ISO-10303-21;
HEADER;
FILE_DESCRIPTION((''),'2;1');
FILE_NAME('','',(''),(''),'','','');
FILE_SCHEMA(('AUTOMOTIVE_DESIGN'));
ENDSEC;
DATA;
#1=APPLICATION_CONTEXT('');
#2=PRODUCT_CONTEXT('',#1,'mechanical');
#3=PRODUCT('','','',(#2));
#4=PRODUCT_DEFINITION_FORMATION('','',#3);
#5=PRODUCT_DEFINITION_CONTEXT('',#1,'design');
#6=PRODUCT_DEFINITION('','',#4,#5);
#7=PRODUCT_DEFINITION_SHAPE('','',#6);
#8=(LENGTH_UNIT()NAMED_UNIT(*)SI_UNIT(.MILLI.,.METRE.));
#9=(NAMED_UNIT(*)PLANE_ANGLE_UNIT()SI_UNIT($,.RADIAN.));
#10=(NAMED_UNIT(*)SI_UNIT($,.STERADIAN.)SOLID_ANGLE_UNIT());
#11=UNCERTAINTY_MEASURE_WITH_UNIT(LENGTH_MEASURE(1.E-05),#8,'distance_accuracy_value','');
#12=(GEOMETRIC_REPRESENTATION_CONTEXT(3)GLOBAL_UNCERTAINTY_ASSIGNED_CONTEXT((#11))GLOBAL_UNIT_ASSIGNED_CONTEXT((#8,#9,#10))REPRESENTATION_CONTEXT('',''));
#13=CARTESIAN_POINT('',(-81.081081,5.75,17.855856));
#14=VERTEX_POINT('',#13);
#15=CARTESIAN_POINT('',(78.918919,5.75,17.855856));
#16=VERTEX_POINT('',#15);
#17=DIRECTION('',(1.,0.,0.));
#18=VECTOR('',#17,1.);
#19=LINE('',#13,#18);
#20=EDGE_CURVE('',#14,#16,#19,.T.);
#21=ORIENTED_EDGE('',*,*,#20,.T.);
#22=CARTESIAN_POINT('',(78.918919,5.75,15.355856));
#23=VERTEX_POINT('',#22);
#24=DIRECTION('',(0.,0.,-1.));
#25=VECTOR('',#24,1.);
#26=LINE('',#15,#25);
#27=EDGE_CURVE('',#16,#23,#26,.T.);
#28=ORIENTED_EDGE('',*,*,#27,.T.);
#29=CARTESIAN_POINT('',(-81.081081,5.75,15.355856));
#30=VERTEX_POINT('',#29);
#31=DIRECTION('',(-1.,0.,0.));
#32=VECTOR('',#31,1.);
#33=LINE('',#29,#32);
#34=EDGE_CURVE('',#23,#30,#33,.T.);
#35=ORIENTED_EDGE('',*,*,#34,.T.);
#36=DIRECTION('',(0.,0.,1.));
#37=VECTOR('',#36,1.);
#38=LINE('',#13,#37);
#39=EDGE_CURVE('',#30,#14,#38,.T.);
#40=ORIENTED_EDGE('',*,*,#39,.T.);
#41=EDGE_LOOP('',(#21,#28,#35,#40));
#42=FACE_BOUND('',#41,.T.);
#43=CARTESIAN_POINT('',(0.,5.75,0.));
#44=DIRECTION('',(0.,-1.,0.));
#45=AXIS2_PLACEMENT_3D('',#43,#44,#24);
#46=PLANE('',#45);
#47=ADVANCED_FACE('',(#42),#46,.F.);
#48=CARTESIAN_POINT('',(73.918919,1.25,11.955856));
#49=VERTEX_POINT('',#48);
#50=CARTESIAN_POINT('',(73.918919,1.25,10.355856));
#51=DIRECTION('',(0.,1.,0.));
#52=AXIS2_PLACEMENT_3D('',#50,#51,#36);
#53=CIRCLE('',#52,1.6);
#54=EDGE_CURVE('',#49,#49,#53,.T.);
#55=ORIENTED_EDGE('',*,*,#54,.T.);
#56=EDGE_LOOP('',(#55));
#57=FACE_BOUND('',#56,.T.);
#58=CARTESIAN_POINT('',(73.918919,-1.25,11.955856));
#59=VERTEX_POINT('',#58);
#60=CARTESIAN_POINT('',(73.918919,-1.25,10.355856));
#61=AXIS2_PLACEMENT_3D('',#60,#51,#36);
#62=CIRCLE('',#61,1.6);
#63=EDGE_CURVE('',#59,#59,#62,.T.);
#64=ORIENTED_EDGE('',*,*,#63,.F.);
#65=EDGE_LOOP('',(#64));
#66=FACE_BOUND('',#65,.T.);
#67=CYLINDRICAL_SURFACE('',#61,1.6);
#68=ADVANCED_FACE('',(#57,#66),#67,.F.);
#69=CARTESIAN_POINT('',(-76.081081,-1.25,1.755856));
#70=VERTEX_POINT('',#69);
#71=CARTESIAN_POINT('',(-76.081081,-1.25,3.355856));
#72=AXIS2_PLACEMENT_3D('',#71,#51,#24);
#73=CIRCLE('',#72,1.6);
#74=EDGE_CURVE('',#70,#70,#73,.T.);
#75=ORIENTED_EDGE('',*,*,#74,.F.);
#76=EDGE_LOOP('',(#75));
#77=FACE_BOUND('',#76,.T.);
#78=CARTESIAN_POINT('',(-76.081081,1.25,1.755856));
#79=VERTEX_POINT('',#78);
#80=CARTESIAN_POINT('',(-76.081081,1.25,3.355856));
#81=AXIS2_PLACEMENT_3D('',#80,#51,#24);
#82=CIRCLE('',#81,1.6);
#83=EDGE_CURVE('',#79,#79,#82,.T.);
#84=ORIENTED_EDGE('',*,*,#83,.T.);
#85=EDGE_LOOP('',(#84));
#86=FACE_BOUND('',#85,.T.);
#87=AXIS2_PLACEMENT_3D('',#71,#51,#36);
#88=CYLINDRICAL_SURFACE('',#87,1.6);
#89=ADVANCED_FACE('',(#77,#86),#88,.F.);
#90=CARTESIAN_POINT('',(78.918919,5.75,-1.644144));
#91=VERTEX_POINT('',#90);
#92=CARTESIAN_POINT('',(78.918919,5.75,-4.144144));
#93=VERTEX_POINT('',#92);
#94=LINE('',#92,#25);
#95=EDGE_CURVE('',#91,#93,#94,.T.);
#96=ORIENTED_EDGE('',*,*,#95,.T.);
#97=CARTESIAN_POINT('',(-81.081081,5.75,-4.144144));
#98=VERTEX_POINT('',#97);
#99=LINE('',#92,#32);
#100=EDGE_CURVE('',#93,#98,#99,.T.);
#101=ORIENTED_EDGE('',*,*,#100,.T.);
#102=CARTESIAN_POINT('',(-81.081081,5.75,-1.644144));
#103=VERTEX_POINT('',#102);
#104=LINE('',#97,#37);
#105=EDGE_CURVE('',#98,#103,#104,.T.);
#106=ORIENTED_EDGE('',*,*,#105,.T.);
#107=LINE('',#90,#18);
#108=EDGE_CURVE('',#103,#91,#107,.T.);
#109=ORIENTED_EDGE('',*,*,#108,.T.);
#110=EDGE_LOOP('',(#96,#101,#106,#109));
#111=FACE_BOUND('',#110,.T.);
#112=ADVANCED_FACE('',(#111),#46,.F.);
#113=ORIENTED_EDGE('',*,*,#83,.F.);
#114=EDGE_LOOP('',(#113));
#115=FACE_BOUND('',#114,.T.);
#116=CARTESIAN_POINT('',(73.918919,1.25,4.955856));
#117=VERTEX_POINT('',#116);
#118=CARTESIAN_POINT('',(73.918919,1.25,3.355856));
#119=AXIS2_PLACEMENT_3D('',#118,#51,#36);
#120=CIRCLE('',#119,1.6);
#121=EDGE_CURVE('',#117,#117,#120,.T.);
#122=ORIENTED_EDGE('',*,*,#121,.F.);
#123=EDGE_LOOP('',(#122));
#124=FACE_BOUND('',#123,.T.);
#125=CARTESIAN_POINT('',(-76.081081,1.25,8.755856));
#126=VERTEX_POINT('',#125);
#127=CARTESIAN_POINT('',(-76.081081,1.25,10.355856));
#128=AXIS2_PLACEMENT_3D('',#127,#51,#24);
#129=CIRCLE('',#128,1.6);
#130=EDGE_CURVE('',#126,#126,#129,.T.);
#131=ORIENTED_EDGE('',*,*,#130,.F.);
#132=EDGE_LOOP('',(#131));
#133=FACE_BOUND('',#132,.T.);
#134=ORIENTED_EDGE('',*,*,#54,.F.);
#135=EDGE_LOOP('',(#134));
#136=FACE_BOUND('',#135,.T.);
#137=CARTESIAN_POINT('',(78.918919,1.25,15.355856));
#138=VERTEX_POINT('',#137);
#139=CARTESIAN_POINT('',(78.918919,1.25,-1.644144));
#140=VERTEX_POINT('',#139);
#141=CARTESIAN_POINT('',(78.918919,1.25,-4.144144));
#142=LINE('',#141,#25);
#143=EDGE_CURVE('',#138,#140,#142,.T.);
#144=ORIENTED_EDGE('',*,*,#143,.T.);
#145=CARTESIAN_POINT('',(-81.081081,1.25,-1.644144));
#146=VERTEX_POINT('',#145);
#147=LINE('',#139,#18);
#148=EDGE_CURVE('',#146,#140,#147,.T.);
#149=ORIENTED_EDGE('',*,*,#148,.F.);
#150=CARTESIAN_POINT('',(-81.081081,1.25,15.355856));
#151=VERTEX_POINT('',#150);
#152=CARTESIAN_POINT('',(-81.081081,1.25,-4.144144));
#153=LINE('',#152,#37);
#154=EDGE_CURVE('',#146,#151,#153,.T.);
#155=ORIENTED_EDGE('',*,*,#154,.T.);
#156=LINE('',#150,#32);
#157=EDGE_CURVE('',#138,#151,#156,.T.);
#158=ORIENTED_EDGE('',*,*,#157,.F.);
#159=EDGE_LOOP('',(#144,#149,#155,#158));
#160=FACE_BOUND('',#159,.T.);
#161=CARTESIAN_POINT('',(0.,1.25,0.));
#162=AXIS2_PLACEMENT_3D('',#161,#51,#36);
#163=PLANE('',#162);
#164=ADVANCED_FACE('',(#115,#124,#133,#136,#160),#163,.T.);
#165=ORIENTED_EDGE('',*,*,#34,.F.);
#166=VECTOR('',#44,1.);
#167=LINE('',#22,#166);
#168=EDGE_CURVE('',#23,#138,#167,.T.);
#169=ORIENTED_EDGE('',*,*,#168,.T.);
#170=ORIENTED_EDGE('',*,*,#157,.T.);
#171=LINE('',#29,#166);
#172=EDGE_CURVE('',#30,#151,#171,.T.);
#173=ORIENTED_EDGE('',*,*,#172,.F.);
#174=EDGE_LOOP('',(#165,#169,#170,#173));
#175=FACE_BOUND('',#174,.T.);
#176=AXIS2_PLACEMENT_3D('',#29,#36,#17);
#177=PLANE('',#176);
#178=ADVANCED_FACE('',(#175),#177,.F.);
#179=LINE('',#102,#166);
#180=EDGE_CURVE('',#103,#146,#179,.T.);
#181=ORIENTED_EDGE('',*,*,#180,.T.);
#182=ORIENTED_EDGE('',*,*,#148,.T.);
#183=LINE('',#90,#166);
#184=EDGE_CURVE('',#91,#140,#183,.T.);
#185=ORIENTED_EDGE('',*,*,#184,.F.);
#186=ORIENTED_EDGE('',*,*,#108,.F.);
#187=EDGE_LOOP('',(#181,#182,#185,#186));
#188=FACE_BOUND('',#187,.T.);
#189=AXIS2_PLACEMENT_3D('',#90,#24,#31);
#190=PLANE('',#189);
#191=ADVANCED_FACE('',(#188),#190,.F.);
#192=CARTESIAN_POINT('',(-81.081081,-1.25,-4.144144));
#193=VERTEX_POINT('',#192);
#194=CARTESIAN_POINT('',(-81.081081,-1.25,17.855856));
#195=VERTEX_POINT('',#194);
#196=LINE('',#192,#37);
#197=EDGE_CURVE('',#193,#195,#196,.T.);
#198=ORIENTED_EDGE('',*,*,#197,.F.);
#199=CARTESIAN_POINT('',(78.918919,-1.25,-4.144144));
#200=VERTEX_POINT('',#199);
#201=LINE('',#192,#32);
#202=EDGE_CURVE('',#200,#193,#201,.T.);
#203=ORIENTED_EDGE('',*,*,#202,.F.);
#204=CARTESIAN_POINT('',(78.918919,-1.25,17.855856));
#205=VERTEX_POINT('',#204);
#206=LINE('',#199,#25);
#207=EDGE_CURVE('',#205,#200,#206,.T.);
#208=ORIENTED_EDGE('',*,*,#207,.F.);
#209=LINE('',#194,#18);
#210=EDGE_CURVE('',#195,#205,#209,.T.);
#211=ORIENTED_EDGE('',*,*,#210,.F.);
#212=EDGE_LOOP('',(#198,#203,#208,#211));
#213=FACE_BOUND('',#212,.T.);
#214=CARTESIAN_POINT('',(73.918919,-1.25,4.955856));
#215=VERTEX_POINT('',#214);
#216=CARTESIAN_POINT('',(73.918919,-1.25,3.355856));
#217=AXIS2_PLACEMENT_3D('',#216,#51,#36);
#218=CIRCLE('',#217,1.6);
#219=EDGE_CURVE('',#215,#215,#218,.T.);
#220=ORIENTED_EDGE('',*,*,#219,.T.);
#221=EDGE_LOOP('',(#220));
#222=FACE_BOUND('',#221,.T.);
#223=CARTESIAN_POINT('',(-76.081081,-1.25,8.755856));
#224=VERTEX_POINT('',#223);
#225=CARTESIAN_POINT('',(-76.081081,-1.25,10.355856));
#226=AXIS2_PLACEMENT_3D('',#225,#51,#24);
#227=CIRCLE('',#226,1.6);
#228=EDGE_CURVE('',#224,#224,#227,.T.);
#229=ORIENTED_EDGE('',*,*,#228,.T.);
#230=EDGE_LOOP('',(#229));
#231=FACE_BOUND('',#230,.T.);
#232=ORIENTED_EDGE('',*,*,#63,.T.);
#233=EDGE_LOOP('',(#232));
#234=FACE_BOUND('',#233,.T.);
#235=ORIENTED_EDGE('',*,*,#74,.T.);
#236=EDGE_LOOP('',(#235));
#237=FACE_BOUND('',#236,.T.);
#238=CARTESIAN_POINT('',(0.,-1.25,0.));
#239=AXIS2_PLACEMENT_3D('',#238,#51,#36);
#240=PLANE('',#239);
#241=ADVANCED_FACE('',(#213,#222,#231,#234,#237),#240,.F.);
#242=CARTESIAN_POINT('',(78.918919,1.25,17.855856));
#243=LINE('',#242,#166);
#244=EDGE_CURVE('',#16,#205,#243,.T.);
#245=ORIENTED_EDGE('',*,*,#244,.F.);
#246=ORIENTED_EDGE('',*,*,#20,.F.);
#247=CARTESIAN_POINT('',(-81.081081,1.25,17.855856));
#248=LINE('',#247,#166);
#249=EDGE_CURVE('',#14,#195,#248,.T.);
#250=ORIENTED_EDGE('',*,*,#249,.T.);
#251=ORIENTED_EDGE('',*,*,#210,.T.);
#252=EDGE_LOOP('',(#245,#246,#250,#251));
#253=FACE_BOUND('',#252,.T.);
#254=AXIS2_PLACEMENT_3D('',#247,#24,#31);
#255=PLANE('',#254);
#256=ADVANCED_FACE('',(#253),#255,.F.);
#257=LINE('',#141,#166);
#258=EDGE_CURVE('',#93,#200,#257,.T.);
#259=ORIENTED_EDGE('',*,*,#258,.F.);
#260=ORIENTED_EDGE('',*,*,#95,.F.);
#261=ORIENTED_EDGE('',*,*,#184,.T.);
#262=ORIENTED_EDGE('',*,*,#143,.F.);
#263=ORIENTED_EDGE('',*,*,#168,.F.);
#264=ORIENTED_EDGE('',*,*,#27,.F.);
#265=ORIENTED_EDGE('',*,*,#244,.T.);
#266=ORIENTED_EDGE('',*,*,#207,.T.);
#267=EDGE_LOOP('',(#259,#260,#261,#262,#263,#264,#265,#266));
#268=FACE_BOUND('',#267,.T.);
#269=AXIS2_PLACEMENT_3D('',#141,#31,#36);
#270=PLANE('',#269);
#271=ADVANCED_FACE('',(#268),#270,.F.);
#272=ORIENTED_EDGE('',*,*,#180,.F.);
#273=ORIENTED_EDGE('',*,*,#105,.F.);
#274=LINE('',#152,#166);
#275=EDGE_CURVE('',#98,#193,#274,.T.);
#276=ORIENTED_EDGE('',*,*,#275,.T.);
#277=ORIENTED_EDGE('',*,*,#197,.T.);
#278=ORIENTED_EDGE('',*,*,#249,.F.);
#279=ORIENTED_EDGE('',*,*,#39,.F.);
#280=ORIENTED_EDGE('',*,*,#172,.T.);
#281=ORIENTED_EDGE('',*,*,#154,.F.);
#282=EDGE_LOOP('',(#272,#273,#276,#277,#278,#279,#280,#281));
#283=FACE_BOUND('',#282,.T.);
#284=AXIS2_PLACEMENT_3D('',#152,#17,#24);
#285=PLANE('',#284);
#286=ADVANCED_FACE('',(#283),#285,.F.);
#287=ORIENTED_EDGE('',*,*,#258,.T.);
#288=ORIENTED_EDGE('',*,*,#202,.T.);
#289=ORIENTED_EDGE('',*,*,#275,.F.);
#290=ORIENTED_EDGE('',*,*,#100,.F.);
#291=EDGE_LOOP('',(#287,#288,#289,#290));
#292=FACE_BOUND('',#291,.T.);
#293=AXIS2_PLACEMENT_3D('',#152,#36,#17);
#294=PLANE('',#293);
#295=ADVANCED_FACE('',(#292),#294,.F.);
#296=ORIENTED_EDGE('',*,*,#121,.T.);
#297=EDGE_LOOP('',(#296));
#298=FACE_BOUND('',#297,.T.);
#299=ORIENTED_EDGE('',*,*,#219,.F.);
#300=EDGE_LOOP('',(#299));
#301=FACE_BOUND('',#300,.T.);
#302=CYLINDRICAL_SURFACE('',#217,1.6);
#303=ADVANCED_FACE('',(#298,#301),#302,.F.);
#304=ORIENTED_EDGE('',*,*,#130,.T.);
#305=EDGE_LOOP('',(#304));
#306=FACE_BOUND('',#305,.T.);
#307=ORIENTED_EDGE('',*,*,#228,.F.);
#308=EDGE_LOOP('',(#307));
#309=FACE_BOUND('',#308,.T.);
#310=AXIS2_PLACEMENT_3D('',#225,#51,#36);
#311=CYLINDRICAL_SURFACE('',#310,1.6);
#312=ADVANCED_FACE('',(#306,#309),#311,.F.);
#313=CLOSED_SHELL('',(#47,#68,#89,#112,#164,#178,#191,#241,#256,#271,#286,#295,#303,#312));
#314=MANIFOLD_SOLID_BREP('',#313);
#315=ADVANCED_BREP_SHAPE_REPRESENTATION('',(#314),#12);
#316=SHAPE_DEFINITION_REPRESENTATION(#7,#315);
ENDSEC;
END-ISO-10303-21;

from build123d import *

# Parameters (mm, degrees)
SKETCH1_W           = 160
SKETCH1_H           = 22
BOSS_EXTRUDE1_DEPTH = 1.25
SKETCH2_W           = 160
SKETCH2_H           = 2.5
BOSS_EXTRUDE2_DEPTH = 4.5
SKETCH4_R           = 1.6
CUT_EXTRUDE1_DEPTH  = 3.5


with BuildPart() as part:
    # Sketch1 → Boss-Extrude1 (new body, symmetric)
    with BuildSketch(Plane(origin=(0, 0, 0), x_dir=(1, 0, 0), z_dir=(0, 1, 0))):
        with Locations((-1.081081081, -6.855855856)):
            Rectangle(SKETCH1_W, SKETCH1_H)
    extrude(amount=BOSS_EXTRUDE1_DEPTH, both=True)

    # Sketch2 → Boss-Extrude2 (add)
    with BuildSketch(Plane(origin=(0, 1.25, 0), x_dir=(1, 0, 0), z_dir=(0, 1, 0))):
        with Locations((-1.081081081, 2.894144144)):
            Rectangle(SKETCH2_W, SKETCH2_H)
        with Locations((-1.081081081, -16.605855856)):
            Rectangle(SKETCH2_W, SKETCH2_H)
    extrude(amount=BOSS_EXTRUDE2_DEPTH)

    # Sketch4 → Cut-Extrude1 (cut, through all)
    with BuildSketch(Plane(origin=(0, 1.25, 0), x_dir=(1, 0, 0), z_dir=(0, 1, 0))):
        with Locations((73.918918919, -3.355855856)):
            Circle(SKETCH4_R)
        with Locations((73.918918919, -10.355855856)):
            Circle(SKETCH4_R)
        with Locations((-76.081081081, -10.355855856)):
            Circle(SKETCH4_R)
        with Locations((-76.081081081, -3.355855856)):
            Circle(SKETCH4_R)
    extrude(amount=-CUT_EXTRUDE1_DEPTH, mode=Mode.SUBTRACT)


solid = part.part
